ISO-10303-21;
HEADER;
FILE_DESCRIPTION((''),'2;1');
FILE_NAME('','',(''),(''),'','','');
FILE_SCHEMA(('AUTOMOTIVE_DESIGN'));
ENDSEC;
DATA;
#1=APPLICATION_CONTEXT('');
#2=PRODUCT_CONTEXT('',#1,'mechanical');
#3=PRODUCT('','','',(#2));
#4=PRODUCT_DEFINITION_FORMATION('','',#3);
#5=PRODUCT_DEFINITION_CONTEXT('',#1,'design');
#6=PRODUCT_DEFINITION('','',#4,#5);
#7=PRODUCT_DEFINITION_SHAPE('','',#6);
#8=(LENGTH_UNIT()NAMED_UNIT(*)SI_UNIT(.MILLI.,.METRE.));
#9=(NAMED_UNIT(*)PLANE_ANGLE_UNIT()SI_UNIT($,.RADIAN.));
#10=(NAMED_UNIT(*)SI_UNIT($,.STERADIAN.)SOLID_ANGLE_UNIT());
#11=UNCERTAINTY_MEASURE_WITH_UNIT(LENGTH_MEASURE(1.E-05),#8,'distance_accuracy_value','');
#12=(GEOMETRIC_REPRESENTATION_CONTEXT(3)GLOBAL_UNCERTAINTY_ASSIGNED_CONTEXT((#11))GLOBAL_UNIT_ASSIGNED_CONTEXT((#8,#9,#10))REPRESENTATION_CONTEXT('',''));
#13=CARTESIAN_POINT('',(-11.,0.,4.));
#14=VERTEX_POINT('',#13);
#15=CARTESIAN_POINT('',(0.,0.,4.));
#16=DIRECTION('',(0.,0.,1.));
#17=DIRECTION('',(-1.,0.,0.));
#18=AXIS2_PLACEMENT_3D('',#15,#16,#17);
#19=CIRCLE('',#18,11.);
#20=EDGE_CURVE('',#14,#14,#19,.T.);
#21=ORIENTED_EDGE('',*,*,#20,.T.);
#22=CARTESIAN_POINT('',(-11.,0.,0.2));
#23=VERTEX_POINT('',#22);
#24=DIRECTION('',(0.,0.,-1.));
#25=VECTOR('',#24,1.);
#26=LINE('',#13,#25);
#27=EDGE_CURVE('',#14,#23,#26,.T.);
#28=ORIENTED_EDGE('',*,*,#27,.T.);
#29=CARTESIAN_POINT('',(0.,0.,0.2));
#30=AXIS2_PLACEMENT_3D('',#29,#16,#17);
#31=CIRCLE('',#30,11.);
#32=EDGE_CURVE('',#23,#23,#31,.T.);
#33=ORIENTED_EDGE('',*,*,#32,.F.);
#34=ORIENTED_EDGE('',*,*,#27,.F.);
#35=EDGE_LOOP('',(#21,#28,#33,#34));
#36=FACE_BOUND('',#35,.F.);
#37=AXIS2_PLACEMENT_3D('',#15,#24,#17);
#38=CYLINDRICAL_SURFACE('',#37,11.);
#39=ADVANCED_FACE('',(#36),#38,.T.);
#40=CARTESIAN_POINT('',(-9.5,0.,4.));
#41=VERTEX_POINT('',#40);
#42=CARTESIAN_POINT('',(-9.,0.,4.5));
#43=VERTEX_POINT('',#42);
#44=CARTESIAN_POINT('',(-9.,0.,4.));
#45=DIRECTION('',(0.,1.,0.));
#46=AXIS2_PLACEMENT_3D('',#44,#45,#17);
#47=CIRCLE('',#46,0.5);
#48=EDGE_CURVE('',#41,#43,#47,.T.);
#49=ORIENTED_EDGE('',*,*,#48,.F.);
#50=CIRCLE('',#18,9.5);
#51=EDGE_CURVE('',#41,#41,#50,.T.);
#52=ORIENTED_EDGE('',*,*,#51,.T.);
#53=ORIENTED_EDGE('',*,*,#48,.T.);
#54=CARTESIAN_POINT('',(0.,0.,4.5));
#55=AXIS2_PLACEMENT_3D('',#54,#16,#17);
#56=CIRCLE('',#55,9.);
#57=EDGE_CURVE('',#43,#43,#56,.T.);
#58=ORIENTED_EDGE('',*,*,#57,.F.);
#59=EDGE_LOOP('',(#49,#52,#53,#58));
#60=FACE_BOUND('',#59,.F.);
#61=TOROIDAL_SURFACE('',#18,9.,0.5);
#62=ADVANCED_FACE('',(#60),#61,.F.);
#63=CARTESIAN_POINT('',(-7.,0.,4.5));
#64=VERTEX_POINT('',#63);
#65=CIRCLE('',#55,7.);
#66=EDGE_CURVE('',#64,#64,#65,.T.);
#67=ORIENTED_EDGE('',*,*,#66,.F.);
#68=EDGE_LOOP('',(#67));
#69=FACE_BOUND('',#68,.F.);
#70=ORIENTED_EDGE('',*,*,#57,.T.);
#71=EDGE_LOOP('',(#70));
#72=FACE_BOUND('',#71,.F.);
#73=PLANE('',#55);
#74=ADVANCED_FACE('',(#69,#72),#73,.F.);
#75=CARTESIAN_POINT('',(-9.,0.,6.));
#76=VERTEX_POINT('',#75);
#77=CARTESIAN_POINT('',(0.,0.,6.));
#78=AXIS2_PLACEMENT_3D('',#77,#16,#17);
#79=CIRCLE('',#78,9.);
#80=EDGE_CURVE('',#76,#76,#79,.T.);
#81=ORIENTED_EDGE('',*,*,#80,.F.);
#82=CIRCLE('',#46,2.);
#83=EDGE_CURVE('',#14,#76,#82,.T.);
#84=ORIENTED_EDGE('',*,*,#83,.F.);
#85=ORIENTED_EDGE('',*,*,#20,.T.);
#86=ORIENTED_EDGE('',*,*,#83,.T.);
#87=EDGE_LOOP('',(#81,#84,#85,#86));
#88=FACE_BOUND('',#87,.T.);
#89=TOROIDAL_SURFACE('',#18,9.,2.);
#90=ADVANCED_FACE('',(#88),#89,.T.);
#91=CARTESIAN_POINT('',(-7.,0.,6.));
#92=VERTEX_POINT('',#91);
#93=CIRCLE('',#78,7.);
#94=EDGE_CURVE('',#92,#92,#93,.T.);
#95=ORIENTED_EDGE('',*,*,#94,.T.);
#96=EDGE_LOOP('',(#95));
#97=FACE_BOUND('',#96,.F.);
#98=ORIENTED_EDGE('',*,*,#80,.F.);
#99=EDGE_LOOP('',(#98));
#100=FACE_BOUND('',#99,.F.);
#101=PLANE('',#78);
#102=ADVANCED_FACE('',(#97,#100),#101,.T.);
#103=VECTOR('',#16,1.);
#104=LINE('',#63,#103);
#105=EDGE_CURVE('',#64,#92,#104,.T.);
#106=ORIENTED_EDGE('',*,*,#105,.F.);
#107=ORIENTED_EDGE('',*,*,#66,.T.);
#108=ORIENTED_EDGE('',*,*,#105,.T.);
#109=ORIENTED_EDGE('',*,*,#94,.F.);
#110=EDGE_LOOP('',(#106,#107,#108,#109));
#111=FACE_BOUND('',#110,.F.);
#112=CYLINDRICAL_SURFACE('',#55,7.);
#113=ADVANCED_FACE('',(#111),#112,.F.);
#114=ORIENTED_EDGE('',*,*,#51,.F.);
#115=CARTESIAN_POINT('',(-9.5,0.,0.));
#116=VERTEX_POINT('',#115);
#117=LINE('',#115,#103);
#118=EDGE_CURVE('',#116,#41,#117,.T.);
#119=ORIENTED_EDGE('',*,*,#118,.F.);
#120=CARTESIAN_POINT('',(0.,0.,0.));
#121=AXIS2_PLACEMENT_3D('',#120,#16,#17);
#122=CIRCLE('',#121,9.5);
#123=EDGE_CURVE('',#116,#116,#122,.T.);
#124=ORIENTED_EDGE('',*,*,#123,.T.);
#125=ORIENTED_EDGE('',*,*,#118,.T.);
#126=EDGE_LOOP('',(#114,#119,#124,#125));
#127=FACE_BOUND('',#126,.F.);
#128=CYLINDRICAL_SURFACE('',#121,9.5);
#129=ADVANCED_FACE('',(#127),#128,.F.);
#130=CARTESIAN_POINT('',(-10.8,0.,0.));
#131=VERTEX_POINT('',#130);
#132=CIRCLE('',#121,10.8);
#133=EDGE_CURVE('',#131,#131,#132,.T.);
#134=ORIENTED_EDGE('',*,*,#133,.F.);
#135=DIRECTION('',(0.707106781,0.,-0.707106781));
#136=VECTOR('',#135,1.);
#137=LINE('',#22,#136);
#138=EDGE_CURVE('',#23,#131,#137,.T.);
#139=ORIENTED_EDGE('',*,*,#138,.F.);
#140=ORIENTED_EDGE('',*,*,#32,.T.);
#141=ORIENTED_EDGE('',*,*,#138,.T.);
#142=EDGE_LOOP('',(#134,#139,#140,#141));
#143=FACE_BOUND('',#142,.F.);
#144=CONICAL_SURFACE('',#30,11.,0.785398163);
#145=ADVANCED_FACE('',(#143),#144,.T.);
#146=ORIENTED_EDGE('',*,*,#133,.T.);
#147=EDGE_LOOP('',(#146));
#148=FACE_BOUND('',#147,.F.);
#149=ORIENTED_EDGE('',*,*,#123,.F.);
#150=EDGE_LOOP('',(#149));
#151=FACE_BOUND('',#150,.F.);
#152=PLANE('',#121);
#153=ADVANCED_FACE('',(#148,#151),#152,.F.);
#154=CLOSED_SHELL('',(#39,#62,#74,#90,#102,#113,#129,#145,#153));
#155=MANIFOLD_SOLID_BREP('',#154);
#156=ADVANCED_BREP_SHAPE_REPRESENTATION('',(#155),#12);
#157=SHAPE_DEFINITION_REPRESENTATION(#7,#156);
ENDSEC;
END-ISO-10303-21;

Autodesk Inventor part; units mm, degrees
ref_plane "YZ Plane" through (0, 0, 0) normal (1, 0, 0) x (0, 1, 0)
ref_plane "XZ Plane" through (0, 0, 0) normal (0, 1, 0) x (-1, 0, 0)
ref_plane "XY Plane" through (0, 0, 0) normal (0, 0, 1) x (1, 0, 0)
sketch "Sketch1" plane through (0, 0, 0) normal (0, 1, 0) x (-1, 0, 0)
  line L0 (0, 0) -> (0, 6)
  line L1 (7, 6) -> (9, 6)
  line L2 (11, 4) -> (11, 0.2)
  line L3 (10.8, 0) -> (9.5, 0)
  line L4 (9.5, 0) -> (9.5, 4)
  line L5 (9, 4.5) -> (7, 4.5)
  line L6 (7, 4.5) -> (7, 6)
  arc A0 (11, 4) -> (9, 6) centre (9, 4) ccw
  line L7 (11, 0.2) -> (10.8, 0)
  arc A1 (9.5, 4) -> (9, 4.5) centre (9, 4) ccw
  point P0 (11, 0)
  point P1 (9.5, 4.5)
  dimension "d0" = 6
  dimension "d1" = 14
  dimension "d2" = 19
  dimension "d3" = 1.5
  dimension "d4" = 22
  dimension "d5" = 2
  dimension "d6" = 0.2
  dimension "d7" = 0.2
  dimension "d48" = 0.5
  dimension "d49" = 4.5
revolve "Revolution1" add sketch "Sketch1" angle 360 about axis through (0, 0, 0) along (0, 0, 1)
equation "\"d7\" = d6"
properties part number "CapsuleBody" material "Copper, Wrought"
